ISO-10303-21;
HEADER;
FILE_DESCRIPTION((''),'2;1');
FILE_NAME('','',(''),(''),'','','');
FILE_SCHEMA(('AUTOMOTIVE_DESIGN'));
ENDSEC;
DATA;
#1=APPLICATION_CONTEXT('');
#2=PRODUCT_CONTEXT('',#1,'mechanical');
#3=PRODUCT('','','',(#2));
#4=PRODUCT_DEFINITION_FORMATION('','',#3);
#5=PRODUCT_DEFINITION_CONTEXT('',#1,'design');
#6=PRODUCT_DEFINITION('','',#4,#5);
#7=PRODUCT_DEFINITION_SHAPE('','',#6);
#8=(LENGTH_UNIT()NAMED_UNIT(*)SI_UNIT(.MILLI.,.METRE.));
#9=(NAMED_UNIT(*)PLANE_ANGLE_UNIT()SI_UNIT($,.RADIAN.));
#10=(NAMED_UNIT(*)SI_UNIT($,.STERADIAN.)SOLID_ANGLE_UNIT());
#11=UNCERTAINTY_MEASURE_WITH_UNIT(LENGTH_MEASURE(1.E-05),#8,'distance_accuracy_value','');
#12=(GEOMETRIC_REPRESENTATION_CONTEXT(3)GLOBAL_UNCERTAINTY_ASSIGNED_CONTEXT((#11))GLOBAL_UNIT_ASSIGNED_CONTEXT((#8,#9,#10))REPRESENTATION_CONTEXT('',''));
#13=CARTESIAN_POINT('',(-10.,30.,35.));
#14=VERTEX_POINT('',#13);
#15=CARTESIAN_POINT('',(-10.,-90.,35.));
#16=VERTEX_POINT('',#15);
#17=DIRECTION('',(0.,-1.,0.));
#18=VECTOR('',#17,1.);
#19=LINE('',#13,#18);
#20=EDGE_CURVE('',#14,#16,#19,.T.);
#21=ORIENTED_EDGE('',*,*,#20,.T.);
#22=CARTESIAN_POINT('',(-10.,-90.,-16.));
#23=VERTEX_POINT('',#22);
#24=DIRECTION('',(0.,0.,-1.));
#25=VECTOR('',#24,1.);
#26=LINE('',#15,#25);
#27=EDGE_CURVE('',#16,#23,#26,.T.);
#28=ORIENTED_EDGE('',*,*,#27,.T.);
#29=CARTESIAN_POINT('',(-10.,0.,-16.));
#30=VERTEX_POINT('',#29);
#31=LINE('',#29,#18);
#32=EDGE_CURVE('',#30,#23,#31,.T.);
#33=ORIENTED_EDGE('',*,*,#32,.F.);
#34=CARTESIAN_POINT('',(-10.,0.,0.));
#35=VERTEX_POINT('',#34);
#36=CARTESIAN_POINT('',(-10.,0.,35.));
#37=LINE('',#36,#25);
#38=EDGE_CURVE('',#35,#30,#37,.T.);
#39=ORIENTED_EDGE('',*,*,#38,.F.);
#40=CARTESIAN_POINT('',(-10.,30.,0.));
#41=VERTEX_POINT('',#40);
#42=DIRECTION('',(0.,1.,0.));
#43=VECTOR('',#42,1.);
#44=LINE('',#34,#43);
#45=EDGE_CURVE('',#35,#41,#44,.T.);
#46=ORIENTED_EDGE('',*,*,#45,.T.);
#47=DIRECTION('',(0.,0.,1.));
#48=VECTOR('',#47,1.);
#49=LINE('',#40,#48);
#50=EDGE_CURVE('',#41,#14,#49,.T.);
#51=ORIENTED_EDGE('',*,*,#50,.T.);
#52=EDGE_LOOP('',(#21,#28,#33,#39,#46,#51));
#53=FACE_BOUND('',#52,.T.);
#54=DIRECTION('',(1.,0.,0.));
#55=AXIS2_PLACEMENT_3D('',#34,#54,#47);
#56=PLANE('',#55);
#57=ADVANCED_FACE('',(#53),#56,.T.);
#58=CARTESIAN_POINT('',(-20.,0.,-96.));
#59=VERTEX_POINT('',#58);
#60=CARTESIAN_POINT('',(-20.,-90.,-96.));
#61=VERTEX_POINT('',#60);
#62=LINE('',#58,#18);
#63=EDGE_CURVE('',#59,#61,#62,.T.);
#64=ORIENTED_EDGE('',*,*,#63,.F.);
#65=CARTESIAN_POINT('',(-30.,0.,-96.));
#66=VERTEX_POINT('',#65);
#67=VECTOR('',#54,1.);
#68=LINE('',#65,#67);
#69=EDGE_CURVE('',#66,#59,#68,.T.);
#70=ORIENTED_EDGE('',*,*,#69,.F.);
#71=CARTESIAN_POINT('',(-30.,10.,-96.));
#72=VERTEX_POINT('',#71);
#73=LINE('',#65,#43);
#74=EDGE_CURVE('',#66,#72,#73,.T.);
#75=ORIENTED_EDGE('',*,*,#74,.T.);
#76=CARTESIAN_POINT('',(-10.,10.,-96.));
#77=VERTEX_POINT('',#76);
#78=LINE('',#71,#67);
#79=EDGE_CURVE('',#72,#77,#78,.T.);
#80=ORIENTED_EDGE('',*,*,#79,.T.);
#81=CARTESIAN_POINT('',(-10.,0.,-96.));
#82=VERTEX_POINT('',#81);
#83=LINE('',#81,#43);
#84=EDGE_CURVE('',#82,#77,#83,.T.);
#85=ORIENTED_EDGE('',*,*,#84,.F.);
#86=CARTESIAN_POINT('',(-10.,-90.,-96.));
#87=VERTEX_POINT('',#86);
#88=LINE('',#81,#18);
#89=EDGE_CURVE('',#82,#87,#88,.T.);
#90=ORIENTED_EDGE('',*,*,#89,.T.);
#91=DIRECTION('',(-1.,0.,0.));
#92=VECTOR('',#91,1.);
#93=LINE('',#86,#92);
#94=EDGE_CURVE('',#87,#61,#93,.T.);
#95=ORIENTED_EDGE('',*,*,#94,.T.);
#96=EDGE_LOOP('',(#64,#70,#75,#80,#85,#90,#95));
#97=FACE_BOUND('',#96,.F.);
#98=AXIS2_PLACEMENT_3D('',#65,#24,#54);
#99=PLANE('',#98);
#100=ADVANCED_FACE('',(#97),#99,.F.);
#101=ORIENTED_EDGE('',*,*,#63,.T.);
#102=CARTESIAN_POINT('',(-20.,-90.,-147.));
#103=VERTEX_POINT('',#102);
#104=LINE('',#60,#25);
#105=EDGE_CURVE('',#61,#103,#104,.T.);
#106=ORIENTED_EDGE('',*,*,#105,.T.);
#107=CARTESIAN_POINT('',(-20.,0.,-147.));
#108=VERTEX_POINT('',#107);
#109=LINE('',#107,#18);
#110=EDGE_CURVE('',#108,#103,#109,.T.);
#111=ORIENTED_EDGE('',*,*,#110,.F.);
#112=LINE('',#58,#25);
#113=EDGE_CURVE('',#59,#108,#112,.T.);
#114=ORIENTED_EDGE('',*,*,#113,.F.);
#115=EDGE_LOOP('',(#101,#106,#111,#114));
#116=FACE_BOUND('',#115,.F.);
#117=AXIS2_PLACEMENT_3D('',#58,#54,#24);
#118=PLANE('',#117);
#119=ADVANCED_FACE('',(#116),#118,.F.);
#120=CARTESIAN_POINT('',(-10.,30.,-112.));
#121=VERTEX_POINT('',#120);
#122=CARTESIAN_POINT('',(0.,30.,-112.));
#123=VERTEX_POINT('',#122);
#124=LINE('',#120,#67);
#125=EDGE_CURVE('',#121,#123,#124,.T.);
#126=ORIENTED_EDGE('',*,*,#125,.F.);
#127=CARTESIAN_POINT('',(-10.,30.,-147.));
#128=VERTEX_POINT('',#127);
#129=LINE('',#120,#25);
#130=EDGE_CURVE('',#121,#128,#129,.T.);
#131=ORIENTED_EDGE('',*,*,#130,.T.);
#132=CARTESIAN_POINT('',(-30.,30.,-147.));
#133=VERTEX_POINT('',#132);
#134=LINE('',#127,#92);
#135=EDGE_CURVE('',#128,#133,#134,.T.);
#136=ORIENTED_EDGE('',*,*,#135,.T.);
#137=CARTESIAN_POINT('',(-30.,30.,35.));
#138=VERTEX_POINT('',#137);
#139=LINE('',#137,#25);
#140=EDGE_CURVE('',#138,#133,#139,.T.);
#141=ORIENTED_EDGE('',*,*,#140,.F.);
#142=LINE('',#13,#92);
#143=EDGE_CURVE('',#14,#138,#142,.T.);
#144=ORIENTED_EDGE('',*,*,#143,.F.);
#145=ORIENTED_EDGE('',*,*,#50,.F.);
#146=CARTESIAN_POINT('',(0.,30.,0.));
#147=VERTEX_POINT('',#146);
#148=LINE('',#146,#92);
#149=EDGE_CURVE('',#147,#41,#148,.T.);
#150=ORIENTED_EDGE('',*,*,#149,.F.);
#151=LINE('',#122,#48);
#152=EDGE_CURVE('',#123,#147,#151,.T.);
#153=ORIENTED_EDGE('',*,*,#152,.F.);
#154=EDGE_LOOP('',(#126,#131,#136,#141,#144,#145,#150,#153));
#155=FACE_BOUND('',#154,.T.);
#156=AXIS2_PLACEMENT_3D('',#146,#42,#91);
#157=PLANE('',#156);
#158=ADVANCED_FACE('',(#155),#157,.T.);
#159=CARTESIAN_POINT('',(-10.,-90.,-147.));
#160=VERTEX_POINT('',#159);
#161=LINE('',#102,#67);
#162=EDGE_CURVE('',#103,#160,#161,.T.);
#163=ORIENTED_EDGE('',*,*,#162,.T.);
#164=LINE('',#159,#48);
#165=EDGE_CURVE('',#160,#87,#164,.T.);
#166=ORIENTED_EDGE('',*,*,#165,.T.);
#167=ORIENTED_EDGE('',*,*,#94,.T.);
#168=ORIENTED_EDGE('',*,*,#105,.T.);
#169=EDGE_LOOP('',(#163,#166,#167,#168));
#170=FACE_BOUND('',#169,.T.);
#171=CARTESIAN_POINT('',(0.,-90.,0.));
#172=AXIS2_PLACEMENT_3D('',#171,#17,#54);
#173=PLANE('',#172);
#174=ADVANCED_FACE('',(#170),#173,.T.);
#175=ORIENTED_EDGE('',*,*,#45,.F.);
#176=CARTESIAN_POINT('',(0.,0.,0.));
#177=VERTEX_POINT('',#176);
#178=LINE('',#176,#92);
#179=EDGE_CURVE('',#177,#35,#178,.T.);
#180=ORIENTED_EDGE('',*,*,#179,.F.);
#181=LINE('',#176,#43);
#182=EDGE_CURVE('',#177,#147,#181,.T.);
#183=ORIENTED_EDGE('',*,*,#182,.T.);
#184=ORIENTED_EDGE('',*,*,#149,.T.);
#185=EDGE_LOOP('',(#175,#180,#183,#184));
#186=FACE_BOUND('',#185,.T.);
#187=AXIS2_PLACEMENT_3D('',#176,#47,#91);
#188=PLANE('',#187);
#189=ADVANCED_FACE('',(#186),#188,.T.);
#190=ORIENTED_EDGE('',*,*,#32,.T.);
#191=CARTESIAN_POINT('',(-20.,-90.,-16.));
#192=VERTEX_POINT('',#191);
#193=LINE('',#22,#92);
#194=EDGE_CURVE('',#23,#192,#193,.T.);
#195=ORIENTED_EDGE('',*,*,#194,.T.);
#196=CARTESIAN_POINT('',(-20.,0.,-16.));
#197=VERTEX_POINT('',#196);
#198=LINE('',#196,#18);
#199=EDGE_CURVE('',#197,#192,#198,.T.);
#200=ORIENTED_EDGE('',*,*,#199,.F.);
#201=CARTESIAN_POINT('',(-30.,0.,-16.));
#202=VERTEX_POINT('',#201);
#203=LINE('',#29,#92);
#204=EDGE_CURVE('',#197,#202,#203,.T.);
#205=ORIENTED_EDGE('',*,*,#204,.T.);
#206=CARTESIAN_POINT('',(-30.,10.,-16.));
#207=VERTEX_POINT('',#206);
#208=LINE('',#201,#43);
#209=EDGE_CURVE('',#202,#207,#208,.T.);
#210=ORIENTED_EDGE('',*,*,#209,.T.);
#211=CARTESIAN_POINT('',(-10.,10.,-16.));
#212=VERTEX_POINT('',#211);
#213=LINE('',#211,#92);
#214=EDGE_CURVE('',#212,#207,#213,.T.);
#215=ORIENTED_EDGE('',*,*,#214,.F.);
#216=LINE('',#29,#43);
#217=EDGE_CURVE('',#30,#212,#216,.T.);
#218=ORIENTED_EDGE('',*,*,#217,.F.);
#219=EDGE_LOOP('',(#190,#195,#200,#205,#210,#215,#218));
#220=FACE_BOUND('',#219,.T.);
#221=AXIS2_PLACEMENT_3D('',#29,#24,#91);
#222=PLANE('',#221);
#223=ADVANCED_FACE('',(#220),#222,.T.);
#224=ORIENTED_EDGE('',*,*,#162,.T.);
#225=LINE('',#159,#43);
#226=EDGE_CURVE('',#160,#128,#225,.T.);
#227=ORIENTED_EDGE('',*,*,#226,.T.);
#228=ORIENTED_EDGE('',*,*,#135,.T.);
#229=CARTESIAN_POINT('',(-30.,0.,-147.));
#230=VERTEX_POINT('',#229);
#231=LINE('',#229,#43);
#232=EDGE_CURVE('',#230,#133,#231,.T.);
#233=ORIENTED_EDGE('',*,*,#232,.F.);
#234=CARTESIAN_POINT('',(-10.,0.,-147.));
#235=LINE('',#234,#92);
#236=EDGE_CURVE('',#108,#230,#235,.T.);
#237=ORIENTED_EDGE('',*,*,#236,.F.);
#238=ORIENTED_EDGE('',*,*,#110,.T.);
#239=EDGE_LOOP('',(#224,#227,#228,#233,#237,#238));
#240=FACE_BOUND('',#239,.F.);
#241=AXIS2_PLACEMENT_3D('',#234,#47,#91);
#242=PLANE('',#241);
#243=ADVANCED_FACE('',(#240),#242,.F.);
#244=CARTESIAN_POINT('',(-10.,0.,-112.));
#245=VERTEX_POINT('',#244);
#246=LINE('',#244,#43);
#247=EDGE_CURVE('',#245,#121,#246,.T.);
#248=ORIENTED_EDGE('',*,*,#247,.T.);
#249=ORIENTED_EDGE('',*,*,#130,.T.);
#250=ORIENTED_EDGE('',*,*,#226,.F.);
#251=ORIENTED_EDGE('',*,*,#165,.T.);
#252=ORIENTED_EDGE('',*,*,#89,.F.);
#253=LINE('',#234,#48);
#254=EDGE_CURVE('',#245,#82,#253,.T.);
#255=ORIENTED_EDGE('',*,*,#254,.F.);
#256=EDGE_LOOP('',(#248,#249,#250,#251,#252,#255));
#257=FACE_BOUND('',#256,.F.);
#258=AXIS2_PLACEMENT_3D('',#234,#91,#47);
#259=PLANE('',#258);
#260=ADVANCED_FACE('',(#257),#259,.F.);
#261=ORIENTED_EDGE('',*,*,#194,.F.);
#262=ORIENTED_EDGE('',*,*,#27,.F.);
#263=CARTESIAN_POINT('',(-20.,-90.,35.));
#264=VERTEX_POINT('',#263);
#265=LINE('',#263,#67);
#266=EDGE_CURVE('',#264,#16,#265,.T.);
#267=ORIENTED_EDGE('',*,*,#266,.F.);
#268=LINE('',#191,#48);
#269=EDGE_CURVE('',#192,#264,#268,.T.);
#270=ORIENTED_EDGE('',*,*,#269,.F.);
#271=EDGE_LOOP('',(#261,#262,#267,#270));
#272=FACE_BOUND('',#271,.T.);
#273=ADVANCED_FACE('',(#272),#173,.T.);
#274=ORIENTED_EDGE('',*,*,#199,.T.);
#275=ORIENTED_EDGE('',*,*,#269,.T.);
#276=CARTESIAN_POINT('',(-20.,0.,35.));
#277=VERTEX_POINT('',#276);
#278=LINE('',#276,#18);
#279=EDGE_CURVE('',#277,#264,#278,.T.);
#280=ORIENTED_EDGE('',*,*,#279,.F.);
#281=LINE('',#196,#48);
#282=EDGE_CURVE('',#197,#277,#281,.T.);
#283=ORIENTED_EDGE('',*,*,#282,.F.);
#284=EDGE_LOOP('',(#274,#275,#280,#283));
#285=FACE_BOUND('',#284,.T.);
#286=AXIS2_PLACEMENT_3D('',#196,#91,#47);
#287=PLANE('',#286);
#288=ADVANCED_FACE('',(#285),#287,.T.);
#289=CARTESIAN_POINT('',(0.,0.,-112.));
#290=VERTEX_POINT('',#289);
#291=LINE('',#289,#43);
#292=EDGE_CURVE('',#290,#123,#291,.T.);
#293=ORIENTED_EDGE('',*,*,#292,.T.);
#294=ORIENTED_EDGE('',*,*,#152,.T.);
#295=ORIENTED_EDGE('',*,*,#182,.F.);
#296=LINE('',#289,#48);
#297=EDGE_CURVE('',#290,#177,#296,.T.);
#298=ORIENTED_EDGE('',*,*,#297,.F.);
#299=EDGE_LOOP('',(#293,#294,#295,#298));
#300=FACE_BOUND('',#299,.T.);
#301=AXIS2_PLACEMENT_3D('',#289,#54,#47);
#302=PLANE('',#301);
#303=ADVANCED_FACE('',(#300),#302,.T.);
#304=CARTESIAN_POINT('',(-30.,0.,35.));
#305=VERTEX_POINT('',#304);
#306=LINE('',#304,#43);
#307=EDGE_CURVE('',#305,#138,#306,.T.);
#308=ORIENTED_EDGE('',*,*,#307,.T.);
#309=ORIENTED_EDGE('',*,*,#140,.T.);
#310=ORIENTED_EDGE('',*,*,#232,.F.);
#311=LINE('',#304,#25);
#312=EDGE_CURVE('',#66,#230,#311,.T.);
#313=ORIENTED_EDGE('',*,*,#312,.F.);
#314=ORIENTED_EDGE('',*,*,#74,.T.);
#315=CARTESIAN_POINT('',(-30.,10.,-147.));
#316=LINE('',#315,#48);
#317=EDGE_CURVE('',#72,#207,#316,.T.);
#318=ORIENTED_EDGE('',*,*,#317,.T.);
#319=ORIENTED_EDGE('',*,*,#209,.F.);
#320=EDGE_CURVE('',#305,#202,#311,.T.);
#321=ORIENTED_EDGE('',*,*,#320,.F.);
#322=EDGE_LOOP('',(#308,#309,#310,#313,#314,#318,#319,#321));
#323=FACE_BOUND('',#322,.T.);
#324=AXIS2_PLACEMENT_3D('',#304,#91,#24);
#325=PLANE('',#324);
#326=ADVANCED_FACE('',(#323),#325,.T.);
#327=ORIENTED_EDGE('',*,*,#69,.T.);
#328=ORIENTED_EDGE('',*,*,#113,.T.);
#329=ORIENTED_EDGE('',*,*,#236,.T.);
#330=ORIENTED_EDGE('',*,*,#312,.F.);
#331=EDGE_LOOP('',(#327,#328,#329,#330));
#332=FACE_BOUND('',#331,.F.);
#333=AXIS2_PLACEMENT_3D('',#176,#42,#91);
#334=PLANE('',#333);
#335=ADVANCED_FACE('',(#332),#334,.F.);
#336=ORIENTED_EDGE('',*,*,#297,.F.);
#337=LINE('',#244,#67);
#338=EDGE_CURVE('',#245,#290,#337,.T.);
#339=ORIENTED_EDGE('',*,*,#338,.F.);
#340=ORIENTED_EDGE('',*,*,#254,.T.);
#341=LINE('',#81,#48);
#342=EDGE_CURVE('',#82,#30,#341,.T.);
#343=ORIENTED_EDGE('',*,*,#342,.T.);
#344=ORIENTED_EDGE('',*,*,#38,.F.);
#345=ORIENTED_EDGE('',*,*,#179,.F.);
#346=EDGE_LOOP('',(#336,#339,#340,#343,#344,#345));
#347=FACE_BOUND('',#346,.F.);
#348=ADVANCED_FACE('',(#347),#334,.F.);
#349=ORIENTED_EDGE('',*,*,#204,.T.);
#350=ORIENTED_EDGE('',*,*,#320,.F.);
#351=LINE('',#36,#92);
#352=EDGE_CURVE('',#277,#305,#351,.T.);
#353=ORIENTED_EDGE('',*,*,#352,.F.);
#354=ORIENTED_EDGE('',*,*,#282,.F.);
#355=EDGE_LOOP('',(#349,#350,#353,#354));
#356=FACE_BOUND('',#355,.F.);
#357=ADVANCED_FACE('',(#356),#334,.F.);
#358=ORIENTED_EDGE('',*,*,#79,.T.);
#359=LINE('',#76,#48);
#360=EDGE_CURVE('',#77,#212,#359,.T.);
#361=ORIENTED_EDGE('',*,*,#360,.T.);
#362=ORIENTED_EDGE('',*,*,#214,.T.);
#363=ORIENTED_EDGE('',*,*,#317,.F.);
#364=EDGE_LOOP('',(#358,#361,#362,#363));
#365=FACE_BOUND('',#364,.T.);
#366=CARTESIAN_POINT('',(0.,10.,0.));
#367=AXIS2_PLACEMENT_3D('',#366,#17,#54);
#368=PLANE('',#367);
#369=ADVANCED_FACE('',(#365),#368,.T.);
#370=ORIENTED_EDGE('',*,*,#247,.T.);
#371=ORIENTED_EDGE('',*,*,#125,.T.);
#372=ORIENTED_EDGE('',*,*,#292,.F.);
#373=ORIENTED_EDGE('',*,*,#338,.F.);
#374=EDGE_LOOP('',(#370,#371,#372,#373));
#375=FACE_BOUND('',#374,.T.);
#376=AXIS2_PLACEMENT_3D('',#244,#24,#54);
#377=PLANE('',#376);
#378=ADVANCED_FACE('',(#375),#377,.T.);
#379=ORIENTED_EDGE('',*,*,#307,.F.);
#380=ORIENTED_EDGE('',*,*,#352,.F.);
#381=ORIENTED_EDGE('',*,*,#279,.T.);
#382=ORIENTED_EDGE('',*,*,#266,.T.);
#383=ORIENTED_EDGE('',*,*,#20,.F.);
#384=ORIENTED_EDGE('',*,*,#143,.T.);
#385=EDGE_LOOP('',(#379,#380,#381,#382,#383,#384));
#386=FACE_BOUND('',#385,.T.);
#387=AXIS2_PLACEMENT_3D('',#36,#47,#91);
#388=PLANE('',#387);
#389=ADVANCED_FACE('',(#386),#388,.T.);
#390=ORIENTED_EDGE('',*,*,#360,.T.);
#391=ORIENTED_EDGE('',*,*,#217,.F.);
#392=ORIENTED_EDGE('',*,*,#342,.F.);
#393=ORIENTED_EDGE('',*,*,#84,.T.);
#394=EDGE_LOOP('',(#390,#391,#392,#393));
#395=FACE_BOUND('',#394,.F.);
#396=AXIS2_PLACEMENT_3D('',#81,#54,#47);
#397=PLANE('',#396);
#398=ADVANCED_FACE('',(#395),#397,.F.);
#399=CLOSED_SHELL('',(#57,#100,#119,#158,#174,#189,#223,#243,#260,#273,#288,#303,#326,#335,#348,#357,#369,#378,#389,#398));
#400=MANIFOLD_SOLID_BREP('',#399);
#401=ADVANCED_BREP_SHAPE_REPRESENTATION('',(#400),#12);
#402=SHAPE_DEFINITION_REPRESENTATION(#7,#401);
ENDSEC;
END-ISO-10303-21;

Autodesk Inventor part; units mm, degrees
ref_plane "YZ Plane" through (0, 0, 0) normal (1, 0, 0) x (0, 1, 0)
ref_plane "XZ Plane" through (0, 0, 0) normal (0, 1, 0) x (-1, 0, 0)
ref_plane "XY Plane" through (0, 0, 0) normal (0, 0, 1) x (1, 0, 0)
sketch "Sketch1" plane through (0, 0, 0) normal (0, 1, 0) x (-1, 0, 0)
  line L0 (0, 0) -> (10, 0)
  line L1 (10, 0) -> (10, -112)
  line L2 (10, -112) -> (0, -112)
  line L3 (0, -112) -> (0, 0)
  line L4 (10, -112) -> (10, -147)
  line L5 (10, -147) -> (30, -147)
  line L6 (10, 0) -> (10, 35)
  line L7 (10, 35) -> (30, 35)
  line L8 (30, 35) -> (30, -147)
  dimension "d16" = 35
  dimension "d17" = 20
  dimension "d18" = 35
  dimension "d19" = 20
  dimension "d28" = 112
  dimension "d35" = 10
extrude "Extrusion1" add sketch "Sketch1" along normal blind 30
sketch "Sketch2" plane through (0, 0, 0) normal (0, -1, 0) x (1, 0, 0)
  line L0 (-30, -147) -> (-30, 35) projected
  line L1 (-30, -96) -> (-10, -96)
  line L2 (-10, -96) -> (-10, -16)
  line L3 (-10, -16) -> (-30, -16)
  line L4 (-30, -16) -> (-30, -96)
  line L5 (-10, 0) -> (0, 0) projected
  dimension "d22" = 20
  dimension "d23" = 80
  dimension "d25" = 16
extrude "Extrusion2" cut sketch "Sketch2" against normal blind 10
sketch "Sketch3" plane through (0, 0, 0) normal (0, -1, 0) x (1, 0, 0)
  line L0 (-10, -16) -> (-10, -96) projected
  line L1 (-10, -96) -> (-20, -96)
  line L2 (-20, -96) -> (-20, -147)
  line L3 (-20, -147) -> (-10, -147)
  line L4 (-10, -147) -> (-10, -96)
  line L5 (-10, -16) -> (-20, -16)
  line L6 (-20, -16) -> (-20, 35)
  line L7 (-20, 35) -> (-10, 35)
  line L8 (-10, 35) -> (-10, -16)
  point P0 (0, 0)
  dimension "d29" = 10
  dimension "d30" = 51
  dimension "d31" = 10
  dimension "d32" = 51
extrude "Extrusion3" add sketch "Sketch3" along normal blind 90
properties part number "CatwalkHolder"
